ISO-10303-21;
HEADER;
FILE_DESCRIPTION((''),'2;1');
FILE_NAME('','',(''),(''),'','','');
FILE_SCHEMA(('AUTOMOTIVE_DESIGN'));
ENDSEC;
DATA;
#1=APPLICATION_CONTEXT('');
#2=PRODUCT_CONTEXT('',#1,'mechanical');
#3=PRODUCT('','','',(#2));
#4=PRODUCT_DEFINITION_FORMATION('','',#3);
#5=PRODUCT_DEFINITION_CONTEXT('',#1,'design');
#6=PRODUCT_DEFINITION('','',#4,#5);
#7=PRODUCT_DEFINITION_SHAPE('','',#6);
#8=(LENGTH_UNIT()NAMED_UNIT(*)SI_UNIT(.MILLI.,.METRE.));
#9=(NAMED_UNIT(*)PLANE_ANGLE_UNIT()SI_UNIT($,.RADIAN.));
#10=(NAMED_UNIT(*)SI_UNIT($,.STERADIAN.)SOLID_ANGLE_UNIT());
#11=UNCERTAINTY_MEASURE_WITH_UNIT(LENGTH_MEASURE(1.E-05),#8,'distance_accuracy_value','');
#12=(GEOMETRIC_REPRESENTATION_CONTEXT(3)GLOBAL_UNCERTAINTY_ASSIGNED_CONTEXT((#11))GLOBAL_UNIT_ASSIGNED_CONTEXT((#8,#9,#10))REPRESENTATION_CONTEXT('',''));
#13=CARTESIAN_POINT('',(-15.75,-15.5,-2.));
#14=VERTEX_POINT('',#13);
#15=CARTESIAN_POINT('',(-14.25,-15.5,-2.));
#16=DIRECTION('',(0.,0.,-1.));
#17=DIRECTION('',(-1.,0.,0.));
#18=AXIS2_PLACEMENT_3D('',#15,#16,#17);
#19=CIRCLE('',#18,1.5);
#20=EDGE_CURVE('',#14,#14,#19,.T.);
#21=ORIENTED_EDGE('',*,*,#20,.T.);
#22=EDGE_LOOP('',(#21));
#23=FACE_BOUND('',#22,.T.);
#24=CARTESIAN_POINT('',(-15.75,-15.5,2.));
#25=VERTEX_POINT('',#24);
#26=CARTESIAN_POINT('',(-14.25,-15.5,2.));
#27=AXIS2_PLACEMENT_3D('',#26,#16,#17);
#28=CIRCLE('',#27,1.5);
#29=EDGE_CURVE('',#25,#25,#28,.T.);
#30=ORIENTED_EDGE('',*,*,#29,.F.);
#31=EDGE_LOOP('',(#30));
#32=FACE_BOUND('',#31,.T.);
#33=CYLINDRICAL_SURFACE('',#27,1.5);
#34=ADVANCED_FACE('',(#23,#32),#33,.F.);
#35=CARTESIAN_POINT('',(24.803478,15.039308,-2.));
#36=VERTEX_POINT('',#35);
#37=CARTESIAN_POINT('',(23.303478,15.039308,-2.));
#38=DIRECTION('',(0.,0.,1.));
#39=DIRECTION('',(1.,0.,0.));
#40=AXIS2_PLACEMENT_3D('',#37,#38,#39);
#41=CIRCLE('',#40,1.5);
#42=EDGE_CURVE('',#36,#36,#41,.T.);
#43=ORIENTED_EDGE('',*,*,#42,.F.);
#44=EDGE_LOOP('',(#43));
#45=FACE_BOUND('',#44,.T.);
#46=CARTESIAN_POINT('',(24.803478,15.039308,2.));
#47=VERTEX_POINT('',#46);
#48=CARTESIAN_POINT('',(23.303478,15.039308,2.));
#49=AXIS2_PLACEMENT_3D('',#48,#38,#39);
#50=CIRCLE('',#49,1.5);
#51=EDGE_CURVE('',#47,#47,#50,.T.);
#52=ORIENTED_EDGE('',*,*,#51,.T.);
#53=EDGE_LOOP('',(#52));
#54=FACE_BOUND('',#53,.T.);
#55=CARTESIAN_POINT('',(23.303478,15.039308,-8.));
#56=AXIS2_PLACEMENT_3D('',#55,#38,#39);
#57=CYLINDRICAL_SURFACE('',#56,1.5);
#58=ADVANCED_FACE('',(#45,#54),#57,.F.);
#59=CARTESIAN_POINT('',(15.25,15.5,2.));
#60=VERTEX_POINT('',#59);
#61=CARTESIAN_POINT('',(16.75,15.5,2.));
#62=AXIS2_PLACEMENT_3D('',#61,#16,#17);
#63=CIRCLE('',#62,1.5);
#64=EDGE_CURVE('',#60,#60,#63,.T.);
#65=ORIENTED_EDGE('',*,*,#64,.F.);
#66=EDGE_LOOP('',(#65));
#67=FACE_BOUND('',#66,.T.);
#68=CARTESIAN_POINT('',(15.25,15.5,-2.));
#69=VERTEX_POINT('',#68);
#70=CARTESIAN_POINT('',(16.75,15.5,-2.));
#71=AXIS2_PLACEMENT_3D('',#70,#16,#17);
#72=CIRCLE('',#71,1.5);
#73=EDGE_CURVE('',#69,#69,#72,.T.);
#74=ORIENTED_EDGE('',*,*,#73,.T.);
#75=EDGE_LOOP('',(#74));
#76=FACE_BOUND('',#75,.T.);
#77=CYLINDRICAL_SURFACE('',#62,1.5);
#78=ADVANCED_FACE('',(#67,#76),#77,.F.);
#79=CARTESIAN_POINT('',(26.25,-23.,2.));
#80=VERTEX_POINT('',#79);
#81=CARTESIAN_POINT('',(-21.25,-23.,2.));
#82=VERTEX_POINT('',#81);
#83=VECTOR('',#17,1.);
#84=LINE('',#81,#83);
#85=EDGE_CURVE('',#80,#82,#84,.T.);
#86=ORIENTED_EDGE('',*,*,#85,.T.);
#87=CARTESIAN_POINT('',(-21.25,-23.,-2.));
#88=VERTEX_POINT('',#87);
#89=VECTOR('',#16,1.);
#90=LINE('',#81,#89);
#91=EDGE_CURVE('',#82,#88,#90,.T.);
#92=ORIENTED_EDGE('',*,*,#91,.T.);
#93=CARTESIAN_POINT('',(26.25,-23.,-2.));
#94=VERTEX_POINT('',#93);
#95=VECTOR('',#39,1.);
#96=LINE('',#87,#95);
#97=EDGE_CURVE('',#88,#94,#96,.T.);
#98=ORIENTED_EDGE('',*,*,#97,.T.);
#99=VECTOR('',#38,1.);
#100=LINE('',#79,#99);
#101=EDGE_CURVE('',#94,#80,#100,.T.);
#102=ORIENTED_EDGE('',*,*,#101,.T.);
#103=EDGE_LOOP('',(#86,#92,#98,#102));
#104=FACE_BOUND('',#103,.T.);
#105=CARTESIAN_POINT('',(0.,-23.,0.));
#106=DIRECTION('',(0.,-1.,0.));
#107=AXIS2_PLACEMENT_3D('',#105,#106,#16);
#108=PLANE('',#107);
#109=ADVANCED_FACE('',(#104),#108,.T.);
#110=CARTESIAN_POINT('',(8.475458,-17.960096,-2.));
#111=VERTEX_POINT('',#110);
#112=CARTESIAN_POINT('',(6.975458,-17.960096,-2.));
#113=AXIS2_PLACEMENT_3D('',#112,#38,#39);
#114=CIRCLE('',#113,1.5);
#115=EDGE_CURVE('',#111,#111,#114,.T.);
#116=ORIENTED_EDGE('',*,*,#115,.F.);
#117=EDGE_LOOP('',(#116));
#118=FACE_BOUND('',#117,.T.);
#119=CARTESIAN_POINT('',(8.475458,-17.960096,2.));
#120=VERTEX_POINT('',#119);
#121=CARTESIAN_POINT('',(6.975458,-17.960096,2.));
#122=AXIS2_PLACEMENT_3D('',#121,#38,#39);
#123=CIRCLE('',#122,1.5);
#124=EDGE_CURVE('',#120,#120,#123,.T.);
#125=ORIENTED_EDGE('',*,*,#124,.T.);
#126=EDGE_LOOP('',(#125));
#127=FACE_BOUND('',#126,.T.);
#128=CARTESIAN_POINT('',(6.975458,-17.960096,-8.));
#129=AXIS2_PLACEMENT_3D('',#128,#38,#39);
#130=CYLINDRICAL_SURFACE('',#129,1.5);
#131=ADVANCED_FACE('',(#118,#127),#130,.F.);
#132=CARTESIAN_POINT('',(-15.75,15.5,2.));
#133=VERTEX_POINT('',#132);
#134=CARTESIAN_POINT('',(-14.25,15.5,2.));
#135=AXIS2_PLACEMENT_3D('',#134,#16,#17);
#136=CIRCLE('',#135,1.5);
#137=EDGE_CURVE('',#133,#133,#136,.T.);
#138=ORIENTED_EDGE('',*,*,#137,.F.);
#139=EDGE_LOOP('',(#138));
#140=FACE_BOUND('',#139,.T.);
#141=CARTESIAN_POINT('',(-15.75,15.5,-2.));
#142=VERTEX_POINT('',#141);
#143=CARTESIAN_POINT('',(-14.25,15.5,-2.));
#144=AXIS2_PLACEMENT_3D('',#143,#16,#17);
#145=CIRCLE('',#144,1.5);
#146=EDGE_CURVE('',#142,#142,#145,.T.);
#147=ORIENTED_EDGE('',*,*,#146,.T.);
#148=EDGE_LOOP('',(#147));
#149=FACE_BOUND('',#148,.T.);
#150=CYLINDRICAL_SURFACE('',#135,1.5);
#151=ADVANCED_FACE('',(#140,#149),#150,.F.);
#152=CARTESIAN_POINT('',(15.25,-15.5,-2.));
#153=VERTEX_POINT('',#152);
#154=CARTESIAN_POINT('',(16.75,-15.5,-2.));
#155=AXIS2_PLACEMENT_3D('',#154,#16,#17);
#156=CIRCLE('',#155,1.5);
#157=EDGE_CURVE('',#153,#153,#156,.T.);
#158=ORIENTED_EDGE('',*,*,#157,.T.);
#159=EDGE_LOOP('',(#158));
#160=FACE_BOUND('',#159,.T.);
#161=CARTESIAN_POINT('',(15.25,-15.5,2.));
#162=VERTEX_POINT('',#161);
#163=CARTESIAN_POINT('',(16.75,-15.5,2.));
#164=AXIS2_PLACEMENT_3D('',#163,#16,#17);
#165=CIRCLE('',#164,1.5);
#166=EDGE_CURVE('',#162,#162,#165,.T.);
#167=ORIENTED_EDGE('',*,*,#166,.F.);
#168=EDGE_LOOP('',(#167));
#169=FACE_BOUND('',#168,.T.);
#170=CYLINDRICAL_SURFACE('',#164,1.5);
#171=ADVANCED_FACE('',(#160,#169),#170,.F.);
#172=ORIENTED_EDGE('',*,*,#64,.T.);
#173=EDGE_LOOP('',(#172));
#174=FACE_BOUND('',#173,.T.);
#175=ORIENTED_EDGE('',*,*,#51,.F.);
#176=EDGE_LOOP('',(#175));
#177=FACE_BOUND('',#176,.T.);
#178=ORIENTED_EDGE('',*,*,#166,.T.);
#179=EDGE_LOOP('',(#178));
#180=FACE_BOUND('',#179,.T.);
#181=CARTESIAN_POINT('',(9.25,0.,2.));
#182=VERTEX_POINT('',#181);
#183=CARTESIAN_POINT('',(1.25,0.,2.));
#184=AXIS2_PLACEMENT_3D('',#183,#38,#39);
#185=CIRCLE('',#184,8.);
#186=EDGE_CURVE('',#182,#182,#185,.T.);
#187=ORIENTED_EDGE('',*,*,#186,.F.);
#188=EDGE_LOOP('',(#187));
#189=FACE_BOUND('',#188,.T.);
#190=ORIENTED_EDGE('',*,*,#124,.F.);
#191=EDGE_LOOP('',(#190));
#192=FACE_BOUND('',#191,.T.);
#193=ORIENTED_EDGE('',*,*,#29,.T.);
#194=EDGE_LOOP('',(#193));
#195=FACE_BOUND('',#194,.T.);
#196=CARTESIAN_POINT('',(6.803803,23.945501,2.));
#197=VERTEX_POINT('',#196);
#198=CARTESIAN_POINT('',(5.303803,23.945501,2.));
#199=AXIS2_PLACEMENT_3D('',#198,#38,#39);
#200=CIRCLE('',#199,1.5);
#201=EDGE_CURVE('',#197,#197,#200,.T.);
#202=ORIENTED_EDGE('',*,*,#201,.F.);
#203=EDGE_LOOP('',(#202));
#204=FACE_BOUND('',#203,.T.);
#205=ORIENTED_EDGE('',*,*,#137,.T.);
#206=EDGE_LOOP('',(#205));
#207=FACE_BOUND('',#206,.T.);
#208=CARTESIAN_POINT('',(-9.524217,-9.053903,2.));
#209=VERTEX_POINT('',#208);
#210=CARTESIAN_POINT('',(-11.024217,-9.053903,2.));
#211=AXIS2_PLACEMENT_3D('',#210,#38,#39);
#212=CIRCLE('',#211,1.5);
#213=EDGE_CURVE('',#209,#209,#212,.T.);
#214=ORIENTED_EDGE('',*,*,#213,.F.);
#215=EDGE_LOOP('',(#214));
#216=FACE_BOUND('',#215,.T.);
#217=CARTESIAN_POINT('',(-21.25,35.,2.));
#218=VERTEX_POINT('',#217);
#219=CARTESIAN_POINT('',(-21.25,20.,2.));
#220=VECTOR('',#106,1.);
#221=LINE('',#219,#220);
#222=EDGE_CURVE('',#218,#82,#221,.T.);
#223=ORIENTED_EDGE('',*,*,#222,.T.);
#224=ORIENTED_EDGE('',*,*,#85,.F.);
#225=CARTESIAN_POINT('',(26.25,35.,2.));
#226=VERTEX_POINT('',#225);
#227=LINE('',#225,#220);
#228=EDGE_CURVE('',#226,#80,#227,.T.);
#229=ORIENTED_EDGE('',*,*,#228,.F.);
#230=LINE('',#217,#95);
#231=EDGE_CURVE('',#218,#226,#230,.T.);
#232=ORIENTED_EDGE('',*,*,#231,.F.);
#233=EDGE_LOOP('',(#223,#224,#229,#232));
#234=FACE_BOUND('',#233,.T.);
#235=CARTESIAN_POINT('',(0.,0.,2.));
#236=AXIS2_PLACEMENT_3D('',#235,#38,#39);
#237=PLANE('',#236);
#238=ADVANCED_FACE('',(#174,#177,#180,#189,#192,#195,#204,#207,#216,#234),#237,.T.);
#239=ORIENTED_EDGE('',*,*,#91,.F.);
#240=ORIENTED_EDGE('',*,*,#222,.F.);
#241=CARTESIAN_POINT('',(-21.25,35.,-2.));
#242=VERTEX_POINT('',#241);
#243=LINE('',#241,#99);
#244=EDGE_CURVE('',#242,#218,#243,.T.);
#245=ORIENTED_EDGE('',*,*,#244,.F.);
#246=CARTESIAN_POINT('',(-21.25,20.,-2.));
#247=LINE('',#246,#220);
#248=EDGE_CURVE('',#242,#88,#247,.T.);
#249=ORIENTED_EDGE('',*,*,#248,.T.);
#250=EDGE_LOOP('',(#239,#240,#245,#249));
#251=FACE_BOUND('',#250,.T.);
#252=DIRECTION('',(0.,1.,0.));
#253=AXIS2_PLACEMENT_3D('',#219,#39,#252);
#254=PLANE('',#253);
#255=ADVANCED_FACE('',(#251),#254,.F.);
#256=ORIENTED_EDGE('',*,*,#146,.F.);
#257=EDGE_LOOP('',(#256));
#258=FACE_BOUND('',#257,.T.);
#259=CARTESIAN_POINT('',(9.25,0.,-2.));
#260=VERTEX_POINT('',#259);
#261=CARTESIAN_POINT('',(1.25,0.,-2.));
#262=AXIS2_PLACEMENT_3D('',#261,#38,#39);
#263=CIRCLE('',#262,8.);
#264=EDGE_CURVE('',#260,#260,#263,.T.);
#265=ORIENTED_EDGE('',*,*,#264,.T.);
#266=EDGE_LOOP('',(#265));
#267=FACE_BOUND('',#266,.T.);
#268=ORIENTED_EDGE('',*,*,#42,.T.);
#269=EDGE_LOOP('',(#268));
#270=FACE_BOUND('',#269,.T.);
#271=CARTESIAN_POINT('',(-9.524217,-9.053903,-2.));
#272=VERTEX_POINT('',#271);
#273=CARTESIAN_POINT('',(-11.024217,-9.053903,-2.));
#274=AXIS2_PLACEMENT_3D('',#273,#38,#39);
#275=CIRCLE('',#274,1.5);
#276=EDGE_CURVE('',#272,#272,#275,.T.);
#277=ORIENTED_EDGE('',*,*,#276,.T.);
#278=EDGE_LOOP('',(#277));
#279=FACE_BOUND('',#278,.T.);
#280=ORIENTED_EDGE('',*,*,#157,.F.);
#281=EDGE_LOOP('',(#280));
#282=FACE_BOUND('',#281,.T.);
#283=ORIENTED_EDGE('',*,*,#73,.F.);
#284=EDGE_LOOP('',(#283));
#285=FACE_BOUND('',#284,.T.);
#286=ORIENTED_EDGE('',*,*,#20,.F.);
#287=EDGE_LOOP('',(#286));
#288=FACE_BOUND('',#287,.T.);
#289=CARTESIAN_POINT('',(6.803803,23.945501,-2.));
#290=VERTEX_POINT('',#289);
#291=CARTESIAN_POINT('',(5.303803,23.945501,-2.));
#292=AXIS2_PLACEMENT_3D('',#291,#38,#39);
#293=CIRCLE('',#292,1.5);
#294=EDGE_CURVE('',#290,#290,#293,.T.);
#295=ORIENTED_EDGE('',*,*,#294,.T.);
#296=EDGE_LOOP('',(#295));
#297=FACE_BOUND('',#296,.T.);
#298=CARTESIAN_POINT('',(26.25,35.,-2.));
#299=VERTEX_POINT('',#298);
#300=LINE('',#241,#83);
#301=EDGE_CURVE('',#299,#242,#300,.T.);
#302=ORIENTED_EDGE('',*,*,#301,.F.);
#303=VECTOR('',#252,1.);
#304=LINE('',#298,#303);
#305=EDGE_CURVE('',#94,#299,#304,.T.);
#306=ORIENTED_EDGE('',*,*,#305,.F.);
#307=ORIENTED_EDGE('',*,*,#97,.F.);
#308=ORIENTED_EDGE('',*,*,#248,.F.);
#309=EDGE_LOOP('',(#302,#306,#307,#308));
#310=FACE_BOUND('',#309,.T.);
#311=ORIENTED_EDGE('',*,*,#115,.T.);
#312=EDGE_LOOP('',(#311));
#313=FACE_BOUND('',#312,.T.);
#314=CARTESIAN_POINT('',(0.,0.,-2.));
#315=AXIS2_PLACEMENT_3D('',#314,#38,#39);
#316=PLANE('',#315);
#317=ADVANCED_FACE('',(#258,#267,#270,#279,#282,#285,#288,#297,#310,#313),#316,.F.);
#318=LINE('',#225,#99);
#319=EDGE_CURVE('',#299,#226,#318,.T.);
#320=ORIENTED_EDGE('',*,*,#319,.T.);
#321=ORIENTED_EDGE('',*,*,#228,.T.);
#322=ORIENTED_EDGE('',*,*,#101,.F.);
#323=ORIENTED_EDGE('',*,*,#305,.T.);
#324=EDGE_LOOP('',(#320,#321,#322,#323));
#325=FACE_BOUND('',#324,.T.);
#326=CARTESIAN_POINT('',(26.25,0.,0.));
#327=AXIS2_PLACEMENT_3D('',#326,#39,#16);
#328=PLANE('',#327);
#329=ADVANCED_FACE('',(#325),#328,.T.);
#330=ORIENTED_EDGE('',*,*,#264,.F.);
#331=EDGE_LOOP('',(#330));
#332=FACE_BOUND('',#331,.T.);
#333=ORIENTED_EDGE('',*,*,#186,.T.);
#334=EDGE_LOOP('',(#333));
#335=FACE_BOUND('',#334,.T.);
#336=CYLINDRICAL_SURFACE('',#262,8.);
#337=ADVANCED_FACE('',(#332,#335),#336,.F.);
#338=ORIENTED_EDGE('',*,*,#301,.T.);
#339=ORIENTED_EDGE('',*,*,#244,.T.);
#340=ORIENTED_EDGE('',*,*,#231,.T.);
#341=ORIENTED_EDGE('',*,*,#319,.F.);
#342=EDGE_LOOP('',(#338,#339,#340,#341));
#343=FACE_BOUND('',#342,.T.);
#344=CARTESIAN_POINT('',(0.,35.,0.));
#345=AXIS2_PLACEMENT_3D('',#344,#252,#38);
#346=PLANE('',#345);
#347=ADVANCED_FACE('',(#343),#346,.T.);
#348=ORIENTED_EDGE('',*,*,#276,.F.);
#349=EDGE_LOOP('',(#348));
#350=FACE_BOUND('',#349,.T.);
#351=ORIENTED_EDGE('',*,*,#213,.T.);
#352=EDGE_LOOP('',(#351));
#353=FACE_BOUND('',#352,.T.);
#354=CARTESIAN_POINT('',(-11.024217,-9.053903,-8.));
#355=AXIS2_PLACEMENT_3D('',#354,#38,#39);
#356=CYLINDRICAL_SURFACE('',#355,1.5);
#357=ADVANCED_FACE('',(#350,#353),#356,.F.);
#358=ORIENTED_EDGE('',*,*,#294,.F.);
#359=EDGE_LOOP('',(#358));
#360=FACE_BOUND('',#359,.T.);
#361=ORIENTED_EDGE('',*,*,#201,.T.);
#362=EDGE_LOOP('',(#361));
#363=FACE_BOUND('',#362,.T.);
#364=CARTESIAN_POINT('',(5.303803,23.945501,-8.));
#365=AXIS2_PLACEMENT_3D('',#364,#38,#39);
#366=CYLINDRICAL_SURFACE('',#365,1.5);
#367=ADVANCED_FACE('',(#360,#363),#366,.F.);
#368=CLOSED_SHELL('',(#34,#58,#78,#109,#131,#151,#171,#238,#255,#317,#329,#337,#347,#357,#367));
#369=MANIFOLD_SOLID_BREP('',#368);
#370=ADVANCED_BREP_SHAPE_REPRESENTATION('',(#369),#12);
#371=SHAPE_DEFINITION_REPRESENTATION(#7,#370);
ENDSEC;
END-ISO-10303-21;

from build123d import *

# Parameters (mm, degrees)
SKETCH1_W           = 42.5
SKETCH1_H           = 40
BOSS_EXTRUDE1_DEPTH = 2
SKETCH2_R           = 1.5
CUT_EXTRUDE1_DEPTH  = 4
SKETCH3_R           = 8
CUT_EXTRUDE2_DEPTH  = 4
SKETCH4_W           = 42.5
SKETCH4_H           = 4
BOSS_EXTRUDE2_DEPTH = 15
SKETCH8_W           = 4
SKETCH8_H           = 55
BOSS_EXTRUDE3_DEPTH = 5
SKETCH7_R           = 1.5
CUT_EXTRUDE3_DEPTH  = 10
SKETCH9_W           = 47.5
SKETCH9_H           = 4
BOSS_EXTRUDE4_DEPTH = 3


with BuildPart() as part:
    # Sketch1 → Boss-Extrude1 (new, symmetric)
    with BuildSketch(Plane.XY):
        Rectangle(SKETCH1_W, SKETCH1_H)
    extrude(amount=BOSS_EXTRUDE1_DEPTH, both=True)

    # Sketch2 → Cut-Extrude1 (cut)
    with BuildSketch(Plane(origin=(0, 0, -2), x_dir=(-1, 0, 0), z_dir=(0, 0, -1))):
        with Locations((-16.75, 15.5)):
            Circle(SKETCH2_R)
        with Locations((14.25, 15.5)):
            Circle(SKETCH2_R)
        with Locations((14.25, -15.5)):
            Circle(SKETCH2_R)
        with Locations((-16.75, -15.5)):
            Circle(SKETCH2_R)
    extrude(amount=-CUT_EXTRUDE1_DEPTH, mode=Mode.SUBTRACT)

    # Sketch3 → Cut-Extrude2 (cut)
    with BuildSketch(Plane.XY.offset(2)):
        with Locations((1.25, 0)):
            Circle(SKETCH3_R)
    extrude(amount=-CUT_EXTRUDE2_DEPTH, mode=Mode.SUBTRACT)

    # Sketch4 → Boss-Extrude2 (add)
    with BuildSketch(Plane(origin=(0, 20, 0), x_dir=(1, 0, 0), z_dir=(0, 1, 0))):
        Rectangle(SKETCH4_W, SKETCH4_H)
    extrude(amount=BOSS_EXTRUDE2_DEPTH)

    # Sketch8 → Boss-Extrude3 (add)
    with BuildSketch(Plane(origin=(21.25, 0, 0), x_dir=(0, 0, -1), z_dir=(1, 0, 0))):
        with Locations((0, 7.5)):
            Rectangle(SKETCH8_W, SKETCH8_H)
    extrude(amount=BOSS_EXTRUDE3_DEPTH)

    # Sketch7 → Cut-Extrude3 (cut)
    with BuildSketch(Plane.XY.offset(2)):
        with Locations((5.303802982, 23.945501151)):
            Circle(SKETCH7_R)
        with Locations((23.303478189, 15.039308246)):
            Circle(SKETCH7_R)
        with Locations((6.975457864, -17.9600963)):
            Circle(SKETCH7_R)
        with Locations((-11.024217343, -9.053903396)):
            Circle(SKETCH7_R)
    extrude(amount=-CUT_EXTRUDE3_DEPTH, mode=Mode.SUBTRACT)

    # Sketch9 → Boss-Extrude4 (add)
    with BuildSketch(Plane.XZ.offset(20)):
        with Locations((2.5, 0)):
            Rectangle(SKETCH9_W, SKETCH9_H)
    extrude(amount=BOSS_EXTRUDE4_DEPTH)


solid = part.part
